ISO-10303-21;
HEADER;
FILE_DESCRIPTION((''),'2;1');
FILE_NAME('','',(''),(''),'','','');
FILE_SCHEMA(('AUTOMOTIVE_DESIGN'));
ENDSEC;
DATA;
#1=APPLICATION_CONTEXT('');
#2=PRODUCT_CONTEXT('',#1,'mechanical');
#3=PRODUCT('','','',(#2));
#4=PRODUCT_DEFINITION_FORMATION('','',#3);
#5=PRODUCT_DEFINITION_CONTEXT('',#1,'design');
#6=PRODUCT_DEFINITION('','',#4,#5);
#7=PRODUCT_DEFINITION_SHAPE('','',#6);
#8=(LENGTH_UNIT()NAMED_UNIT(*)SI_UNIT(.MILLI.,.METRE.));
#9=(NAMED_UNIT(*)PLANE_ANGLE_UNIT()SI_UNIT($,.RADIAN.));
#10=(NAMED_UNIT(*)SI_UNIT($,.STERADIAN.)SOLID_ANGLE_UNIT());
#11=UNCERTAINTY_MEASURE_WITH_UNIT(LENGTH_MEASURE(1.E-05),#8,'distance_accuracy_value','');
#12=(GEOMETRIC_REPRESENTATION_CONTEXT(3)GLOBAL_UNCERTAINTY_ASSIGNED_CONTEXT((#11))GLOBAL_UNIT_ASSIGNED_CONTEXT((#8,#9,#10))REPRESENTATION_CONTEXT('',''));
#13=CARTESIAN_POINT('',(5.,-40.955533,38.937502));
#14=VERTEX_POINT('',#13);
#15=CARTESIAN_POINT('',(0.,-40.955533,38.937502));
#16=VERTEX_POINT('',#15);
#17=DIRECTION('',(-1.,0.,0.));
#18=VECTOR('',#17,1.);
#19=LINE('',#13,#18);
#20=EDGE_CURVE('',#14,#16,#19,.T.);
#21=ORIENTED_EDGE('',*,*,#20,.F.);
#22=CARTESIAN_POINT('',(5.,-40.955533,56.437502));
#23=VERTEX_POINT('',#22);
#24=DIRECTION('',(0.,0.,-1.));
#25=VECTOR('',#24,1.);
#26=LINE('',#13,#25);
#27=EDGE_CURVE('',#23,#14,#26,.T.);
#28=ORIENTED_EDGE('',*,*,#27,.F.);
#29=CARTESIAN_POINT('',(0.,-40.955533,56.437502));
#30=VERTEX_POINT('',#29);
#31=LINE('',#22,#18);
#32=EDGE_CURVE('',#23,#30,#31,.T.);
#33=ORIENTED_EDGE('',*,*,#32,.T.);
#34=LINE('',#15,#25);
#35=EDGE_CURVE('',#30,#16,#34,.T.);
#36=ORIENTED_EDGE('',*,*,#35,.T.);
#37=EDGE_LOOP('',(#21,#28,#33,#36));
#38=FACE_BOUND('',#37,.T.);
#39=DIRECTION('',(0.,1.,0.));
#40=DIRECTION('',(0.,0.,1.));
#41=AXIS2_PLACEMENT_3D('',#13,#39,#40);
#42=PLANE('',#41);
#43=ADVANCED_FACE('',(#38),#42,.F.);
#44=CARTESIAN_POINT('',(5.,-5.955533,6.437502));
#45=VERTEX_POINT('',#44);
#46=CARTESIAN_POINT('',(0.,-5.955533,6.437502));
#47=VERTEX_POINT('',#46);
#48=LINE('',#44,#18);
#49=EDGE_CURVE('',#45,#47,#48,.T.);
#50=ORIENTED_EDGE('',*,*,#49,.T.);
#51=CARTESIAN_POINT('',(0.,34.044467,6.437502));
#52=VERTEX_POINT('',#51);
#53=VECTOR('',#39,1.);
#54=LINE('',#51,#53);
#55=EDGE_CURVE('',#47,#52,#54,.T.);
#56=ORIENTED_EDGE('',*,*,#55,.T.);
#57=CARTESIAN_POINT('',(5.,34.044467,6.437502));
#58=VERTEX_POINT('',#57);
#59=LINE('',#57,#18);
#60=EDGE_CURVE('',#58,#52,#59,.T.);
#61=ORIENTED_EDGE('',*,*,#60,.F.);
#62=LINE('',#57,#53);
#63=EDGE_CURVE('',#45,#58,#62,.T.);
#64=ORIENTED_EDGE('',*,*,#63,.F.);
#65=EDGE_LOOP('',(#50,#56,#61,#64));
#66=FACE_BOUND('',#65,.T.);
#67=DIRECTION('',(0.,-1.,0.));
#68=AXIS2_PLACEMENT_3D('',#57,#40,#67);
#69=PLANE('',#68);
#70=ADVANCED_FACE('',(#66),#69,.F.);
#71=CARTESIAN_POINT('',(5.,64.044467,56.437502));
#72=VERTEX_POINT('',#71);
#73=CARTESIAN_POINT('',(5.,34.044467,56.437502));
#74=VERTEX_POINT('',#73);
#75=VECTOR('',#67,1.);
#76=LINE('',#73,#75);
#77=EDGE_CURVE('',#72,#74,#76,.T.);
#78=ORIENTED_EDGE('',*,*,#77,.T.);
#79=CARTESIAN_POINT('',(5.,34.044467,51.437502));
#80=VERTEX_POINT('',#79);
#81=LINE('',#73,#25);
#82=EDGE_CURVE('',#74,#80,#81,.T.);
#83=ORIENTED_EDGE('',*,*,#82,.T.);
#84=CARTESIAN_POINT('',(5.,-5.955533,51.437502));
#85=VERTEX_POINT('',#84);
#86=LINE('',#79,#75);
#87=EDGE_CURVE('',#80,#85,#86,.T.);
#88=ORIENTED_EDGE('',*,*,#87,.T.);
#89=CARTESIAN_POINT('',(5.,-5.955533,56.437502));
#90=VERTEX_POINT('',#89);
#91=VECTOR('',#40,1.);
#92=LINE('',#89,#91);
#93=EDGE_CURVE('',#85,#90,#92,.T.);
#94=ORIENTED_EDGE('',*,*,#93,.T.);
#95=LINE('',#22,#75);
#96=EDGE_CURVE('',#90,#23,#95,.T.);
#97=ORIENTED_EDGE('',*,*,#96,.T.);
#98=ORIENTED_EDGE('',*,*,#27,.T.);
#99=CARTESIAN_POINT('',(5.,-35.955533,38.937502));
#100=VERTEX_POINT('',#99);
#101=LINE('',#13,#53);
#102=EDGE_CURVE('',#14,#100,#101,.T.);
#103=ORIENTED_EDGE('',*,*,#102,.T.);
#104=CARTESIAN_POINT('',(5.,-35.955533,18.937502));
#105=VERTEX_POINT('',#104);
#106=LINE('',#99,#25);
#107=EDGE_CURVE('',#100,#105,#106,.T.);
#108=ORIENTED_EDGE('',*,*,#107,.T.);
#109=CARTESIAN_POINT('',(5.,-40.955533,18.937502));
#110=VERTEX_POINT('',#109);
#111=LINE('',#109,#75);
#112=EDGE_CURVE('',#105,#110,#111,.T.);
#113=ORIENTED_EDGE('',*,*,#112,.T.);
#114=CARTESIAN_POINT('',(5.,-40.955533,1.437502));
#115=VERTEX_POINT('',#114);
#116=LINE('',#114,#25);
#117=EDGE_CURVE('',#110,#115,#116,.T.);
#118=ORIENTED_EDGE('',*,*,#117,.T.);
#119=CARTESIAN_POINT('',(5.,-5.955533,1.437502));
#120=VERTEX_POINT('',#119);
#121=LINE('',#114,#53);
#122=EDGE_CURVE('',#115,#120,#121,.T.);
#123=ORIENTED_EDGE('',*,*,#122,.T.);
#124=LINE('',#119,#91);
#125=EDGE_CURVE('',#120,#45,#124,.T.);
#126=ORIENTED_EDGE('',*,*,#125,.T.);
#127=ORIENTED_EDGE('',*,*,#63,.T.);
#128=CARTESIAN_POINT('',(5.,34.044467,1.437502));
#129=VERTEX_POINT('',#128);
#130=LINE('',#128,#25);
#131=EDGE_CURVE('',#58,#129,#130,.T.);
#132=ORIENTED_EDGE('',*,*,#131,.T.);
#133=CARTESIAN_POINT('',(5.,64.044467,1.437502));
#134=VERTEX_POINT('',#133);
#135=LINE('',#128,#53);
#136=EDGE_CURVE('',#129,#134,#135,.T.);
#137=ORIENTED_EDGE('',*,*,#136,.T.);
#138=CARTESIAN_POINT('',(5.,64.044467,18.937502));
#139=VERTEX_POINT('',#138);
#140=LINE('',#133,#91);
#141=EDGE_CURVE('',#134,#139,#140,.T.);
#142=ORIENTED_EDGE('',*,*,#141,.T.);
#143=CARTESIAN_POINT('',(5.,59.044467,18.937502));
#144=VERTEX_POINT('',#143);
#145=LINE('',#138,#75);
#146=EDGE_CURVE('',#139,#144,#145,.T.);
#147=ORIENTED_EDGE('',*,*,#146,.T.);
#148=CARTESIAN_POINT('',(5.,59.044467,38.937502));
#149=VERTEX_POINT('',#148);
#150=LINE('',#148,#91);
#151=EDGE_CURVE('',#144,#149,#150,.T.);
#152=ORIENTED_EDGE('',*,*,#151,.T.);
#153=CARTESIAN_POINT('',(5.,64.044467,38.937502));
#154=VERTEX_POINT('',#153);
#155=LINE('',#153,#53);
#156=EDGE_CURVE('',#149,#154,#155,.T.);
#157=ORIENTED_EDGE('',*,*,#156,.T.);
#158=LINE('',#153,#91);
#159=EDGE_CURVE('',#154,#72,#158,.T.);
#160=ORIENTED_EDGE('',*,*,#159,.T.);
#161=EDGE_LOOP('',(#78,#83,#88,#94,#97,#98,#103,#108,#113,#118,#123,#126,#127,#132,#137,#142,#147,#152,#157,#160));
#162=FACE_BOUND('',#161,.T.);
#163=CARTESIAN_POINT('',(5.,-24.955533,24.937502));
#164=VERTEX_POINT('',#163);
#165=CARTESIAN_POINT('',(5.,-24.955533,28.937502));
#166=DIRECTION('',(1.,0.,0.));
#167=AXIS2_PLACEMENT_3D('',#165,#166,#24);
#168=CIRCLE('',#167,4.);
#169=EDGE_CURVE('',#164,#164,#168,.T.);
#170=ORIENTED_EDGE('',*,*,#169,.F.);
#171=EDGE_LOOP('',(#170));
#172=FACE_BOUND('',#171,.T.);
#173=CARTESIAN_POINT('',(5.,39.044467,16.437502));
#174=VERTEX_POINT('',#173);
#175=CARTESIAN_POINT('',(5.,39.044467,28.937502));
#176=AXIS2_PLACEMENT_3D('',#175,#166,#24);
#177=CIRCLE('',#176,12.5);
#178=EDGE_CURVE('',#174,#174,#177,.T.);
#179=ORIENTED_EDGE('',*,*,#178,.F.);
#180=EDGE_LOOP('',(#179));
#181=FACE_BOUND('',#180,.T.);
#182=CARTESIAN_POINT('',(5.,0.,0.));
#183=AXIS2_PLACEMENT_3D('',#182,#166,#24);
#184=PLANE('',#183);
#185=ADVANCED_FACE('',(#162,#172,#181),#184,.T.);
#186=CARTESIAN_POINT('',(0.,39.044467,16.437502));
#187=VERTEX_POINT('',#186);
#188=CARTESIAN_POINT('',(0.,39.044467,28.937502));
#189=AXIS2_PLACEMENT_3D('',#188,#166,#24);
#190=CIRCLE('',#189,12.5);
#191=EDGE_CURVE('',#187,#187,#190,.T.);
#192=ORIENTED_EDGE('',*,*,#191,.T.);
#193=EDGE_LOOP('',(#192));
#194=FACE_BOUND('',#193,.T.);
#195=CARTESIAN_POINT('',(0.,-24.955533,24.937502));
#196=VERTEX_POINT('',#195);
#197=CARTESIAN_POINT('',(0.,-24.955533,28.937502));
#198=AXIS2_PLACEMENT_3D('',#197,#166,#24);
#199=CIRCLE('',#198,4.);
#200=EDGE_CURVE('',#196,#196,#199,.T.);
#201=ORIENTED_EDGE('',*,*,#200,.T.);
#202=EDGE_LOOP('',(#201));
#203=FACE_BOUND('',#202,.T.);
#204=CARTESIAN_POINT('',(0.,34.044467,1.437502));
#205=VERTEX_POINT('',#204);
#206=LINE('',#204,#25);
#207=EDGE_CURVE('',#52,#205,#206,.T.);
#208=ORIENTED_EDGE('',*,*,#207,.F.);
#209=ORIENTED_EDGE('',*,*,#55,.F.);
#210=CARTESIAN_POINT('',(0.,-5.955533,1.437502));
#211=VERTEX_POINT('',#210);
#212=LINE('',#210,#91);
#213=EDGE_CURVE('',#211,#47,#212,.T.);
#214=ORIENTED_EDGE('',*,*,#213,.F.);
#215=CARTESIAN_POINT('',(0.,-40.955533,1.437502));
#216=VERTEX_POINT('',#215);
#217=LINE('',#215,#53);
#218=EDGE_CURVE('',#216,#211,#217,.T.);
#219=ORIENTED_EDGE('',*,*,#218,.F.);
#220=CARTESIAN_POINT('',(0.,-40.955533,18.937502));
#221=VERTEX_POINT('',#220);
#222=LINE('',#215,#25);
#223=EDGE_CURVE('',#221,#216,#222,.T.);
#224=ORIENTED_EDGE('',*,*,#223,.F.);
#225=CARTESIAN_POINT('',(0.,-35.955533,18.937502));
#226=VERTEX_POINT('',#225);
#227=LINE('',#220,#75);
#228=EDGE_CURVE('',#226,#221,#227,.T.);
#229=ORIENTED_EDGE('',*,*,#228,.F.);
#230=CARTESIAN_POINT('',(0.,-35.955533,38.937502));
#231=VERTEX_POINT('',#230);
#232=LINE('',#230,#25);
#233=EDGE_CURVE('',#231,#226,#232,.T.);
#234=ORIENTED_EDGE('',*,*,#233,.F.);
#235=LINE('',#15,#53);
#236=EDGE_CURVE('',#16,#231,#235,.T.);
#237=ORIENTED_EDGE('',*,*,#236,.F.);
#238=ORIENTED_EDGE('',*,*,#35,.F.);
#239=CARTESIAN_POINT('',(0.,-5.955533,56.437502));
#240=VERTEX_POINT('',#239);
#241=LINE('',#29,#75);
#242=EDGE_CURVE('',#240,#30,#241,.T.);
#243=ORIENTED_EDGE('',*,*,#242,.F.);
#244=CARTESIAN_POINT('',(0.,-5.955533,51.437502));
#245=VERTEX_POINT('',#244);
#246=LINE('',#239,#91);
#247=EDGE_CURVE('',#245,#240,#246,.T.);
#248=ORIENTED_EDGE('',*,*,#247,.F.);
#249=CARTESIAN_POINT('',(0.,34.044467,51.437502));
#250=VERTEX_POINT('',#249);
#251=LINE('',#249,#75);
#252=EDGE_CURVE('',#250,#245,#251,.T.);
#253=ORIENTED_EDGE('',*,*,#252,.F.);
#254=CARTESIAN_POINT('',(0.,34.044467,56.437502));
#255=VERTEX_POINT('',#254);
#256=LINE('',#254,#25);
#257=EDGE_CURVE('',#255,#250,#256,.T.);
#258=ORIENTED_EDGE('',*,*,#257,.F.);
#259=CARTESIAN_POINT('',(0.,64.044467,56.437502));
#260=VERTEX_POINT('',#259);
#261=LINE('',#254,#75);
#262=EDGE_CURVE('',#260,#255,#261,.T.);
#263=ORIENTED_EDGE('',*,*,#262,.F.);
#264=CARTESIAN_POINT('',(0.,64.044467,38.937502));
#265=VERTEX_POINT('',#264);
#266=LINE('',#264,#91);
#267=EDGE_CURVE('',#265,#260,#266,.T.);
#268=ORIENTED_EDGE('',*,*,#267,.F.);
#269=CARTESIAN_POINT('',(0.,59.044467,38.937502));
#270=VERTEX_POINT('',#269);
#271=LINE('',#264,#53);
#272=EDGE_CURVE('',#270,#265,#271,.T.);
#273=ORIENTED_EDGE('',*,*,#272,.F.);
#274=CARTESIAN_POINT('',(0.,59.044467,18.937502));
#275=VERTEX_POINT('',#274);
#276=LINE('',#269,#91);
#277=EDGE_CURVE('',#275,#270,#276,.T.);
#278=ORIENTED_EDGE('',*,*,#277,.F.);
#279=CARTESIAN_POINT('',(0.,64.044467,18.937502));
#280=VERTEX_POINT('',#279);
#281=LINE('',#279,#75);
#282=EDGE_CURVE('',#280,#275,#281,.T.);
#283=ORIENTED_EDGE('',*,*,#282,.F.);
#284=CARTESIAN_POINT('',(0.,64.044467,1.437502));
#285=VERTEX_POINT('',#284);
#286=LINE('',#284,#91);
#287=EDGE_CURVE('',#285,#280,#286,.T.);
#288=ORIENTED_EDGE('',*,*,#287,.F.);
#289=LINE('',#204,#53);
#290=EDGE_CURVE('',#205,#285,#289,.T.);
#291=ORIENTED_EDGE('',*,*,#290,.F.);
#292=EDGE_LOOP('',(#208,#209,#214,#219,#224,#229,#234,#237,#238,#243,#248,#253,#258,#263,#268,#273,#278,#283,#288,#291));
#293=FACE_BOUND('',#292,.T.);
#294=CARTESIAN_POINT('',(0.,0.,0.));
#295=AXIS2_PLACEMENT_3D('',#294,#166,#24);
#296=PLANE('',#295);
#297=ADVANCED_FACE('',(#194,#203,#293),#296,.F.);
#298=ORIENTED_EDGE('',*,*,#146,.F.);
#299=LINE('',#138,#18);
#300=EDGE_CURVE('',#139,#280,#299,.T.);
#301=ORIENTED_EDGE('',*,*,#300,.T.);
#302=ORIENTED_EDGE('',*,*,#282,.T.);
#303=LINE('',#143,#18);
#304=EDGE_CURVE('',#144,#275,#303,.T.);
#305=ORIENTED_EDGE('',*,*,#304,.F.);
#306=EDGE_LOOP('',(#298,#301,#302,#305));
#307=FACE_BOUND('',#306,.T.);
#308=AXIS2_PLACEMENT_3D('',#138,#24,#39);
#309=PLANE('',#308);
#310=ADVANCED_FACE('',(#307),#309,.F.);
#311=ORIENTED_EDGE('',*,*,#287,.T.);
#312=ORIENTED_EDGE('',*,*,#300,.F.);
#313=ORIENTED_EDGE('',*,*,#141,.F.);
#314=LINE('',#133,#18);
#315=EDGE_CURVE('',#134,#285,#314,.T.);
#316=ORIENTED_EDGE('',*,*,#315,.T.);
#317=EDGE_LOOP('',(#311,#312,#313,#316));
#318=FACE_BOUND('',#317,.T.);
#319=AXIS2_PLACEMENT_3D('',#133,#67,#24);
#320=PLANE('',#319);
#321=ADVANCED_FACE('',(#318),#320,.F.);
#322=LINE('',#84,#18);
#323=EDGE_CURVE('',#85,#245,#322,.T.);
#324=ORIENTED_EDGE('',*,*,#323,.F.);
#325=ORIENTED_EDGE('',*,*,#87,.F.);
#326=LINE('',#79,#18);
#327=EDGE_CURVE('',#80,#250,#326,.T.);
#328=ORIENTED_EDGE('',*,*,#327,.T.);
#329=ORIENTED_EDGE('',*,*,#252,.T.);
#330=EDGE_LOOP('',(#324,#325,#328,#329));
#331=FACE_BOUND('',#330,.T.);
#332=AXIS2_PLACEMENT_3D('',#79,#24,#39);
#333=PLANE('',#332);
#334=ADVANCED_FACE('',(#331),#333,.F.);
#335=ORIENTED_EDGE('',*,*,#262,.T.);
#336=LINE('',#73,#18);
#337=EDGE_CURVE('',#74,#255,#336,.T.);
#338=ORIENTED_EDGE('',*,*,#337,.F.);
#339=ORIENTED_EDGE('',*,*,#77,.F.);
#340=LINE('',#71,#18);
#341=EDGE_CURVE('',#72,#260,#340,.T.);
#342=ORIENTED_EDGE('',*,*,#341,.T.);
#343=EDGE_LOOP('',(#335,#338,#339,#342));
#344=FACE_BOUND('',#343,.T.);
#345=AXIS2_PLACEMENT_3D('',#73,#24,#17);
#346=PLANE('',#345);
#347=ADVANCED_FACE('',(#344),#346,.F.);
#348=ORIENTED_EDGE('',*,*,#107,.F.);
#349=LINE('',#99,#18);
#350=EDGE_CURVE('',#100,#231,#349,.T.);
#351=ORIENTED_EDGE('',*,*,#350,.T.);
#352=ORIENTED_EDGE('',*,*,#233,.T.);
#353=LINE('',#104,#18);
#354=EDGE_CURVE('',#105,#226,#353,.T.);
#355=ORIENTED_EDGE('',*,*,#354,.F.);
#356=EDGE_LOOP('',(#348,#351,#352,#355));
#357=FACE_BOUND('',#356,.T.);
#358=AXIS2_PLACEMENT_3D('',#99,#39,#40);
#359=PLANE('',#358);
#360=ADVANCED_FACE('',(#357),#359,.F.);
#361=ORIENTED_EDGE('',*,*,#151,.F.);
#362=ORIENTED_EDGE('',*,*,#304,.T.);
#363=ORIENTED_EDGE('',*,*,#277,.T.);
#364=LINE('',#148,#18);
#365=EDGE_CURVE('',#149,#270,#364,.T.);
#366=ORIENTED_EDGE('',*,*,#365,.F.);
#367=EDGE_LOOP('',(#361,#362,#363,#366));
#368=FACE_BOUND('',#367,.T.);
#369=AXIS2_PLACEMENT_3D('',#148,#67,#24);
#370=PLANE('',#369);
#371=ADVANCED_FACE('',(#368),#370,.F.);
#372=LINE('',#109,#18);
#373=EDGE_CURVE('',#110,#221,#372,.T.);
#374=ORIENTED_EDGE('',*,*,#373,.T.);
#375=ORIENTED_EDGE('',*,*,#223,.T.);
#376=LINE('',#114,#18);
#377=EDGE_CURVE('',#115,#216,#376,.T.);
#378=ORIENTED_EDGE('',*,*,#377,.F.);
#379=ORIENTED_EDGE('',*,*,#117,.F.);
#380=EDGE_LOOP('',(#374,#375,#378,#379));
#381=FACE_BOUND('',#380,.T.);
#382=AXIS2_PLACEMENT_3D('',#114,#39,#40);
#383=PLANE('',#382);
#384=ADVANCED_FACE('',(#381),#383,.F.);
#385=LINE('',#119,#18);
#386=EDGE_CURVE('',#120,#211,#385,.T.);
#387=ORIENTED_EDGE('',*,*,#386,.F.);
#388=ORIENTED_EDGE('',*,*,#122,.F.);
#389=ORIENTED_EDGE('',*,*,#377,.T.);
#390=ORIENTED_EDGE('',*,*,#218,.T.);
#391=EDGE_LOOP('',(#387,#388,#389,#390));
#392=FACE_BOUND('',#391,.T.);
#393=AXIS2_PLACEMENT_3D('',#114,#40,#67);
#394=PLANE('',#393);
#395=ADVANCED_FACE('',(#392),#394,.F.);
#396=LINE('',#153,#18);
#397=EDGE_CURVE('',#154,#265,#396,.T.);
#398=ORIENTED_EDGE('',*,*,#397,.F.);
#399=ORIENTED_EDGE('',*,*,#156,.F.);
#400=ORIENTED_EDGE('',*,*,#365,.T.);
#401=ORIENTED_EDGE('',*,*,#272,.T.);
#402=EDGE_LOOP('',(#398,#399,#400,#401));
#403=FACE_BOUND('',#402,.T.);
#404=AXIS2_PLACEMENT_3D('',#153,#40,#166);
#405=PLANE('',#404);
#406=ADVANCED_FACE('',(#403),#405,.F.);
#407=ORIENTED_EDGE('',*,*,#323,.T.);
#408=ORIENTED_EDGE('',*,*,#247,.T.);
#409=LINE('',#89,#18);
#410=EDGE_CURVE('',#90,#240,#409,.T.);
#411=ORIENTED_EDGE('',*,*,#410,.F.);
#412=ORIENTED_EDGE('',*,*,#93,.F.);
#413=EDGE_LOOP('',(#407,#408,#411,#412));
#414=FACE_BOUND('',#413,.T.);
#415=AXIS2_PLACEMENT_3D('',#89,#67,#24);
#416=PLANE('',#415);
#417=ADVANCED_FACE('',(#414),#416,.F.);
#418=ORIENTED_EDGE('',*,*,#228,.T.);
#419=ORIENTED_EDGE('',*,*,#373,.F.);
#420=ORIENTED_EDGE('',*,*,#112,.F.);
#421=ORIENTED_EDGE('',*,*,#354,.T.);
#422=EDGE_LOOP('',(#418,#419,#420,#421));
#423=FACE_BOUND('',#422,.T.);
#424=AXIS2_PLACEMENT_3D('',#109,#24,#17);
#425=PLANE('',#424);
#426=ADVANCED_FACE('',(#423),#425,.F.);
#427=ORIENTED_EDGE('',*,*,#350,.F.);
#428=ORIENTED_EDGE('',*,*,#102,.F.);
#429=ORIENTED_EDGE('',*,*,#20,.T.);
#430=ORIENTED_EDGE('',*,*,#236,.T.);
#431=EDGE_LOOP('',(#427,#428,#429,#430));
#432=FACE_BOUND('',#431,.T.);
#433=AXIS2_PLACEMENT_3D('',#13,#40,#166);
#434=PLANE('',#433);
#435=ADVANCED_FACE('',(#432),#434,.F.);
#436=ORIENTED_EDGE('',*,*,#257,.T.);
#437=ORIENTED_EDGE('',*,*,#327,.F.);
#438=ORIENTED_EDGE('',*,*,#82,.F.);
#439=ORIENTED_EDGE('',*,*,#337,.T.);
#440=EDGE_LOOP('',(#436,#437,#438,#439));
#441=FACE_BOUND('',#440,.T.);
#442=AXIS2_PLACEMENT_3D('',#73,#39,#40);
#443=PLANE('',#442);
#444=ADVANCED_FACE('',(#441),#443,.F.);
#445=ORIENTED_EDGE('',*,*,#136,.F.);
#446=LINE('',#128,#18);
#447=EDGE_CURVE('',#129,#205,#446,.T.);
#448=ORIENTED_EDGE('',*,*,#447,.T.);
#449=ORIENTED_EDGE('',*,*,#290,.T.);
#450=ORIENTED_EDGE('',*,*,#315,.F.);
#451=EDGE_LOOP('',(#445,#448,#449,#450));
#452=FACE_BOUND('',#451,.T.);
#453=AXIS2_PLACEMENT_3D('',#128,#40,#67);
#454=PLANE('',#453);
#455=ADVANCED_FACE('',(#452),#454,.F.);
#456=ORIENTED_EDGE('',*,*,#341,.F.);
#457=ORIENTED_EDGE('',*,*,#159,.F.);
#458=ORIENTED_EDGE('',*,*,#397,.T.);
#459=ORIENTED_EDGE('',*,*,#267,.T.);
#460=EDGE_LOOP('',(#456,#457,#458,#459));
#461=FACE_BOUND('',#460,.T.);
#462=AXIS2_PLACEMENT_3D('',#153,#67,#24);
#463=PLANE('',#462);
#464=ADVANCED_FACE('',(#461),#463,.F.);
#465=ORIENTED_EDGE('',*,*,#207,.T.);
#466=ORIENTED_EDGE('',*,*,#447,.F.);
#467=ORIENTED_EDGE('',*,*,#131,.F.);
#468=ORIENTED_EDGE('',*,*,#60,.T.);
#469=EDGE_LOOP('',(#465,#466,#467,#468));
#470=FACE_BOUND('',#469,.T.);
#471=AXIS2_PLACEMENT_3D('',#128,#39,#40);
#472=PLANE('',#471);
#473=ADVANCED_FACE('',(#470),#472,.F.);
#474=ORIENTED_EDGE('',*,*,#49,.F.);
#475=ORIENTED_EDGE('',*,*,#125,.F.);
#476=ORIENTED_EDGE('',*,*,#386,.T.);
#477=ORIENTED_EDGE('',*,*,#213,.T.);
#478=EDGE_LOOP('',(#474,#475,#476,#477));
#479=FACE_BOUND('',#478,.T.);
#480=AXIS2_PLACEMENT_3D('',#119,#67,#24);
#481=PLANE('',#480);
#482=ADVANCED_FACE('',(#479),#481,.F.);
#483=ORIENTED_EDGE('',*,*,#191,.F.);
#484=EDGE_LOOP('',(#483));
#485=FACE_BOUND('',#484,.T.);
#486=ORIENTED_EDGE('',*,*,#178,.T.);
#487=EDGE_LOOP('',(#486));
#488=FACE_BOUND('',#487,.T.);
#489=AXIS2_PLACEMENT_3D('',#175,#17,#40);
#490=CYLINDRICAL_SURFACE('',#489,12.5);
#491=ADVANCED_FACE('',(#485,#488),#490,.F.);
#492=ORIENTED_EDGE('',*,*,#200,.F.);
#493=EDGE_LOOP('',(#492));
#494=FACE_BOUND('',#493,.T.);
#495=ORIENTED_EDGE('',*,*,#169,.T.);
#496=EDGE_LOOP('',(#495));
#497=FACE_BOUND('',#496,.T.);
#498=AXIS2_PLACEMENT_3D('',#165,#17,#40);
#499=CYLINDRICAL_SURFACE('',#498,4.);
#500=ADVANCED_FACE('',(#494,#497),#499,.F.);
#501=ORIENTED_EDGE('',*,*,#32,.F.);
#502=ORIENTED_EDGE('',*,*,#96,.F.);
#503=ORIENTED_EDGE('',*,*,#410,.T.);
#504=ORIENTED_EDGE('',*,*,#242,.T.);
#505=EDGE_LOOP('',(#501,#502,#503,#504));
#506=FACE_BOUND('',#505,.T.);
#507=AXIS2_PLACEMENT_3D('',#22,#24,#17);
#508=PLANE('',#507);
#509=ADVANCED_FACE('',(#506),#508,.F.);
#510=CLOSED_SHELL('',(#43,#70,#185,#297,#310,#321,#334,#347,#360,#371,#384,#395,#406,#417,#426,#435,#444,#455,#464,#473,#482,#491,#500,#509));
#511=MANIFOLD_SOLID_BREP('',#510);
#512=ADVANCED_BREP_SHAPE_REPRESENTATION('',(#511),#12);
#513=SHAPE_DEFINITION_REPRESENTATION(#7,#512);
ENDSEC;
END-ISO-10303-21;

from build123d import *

# Parameters (mm, degrees)
SKETCH_1_R      = 4
SKETCH_1_R_2    = 12.5
EXTRUDE_1_DEPTH = 5


with BuildPart() as part:
    # 草图1 → 凸台-拉伸1 (new body)
    with BuildSketch(Plane(origin=(0, 0, 0), x_dir=(0, 0, -1), z_dir=(1, 0, 0))):
        Polygon((-38.937502308, 64.044466874), (-56.437502308, 64.044466874), (-56.437502308, 34.044466874), (-51.437502308, 34.044466874), (-51.437502308, -5.955533126), (-56.437502308, -5.955533126), (-56.437502308, -40.955533126), (-38.937502308, -40.955533126), (-38.937502308, -35.955533126), (-18.937502308, -35.955533126), (-18.937502308, -40.955533126), (-1.437502308, -40.955533126), (-1.437502308, -5.955533126), (-6.437502308, -5.955533126), (-6.437502308, 34.044466874), (-1.437502308, 34.044466874), (-1.437502308, 64.044466874), (-18.937502308, 64.044466874), (-18.937502308, 59.044466874), (-38.937502308, 59.044466874), align=None)
        with Locations((-28.937502308, -24.955533126)):
            Circle(SKETCH_1_R, mode=Mode.SUBTRACT)
        with Locations((-28.937502308, 39.044466874)):
            Circle(SKETCH_1_R_2, mode=Mode.SUBTRACT)
    extrude(amount=EXTRUDE_1_DEPTH)


solid = part.part
